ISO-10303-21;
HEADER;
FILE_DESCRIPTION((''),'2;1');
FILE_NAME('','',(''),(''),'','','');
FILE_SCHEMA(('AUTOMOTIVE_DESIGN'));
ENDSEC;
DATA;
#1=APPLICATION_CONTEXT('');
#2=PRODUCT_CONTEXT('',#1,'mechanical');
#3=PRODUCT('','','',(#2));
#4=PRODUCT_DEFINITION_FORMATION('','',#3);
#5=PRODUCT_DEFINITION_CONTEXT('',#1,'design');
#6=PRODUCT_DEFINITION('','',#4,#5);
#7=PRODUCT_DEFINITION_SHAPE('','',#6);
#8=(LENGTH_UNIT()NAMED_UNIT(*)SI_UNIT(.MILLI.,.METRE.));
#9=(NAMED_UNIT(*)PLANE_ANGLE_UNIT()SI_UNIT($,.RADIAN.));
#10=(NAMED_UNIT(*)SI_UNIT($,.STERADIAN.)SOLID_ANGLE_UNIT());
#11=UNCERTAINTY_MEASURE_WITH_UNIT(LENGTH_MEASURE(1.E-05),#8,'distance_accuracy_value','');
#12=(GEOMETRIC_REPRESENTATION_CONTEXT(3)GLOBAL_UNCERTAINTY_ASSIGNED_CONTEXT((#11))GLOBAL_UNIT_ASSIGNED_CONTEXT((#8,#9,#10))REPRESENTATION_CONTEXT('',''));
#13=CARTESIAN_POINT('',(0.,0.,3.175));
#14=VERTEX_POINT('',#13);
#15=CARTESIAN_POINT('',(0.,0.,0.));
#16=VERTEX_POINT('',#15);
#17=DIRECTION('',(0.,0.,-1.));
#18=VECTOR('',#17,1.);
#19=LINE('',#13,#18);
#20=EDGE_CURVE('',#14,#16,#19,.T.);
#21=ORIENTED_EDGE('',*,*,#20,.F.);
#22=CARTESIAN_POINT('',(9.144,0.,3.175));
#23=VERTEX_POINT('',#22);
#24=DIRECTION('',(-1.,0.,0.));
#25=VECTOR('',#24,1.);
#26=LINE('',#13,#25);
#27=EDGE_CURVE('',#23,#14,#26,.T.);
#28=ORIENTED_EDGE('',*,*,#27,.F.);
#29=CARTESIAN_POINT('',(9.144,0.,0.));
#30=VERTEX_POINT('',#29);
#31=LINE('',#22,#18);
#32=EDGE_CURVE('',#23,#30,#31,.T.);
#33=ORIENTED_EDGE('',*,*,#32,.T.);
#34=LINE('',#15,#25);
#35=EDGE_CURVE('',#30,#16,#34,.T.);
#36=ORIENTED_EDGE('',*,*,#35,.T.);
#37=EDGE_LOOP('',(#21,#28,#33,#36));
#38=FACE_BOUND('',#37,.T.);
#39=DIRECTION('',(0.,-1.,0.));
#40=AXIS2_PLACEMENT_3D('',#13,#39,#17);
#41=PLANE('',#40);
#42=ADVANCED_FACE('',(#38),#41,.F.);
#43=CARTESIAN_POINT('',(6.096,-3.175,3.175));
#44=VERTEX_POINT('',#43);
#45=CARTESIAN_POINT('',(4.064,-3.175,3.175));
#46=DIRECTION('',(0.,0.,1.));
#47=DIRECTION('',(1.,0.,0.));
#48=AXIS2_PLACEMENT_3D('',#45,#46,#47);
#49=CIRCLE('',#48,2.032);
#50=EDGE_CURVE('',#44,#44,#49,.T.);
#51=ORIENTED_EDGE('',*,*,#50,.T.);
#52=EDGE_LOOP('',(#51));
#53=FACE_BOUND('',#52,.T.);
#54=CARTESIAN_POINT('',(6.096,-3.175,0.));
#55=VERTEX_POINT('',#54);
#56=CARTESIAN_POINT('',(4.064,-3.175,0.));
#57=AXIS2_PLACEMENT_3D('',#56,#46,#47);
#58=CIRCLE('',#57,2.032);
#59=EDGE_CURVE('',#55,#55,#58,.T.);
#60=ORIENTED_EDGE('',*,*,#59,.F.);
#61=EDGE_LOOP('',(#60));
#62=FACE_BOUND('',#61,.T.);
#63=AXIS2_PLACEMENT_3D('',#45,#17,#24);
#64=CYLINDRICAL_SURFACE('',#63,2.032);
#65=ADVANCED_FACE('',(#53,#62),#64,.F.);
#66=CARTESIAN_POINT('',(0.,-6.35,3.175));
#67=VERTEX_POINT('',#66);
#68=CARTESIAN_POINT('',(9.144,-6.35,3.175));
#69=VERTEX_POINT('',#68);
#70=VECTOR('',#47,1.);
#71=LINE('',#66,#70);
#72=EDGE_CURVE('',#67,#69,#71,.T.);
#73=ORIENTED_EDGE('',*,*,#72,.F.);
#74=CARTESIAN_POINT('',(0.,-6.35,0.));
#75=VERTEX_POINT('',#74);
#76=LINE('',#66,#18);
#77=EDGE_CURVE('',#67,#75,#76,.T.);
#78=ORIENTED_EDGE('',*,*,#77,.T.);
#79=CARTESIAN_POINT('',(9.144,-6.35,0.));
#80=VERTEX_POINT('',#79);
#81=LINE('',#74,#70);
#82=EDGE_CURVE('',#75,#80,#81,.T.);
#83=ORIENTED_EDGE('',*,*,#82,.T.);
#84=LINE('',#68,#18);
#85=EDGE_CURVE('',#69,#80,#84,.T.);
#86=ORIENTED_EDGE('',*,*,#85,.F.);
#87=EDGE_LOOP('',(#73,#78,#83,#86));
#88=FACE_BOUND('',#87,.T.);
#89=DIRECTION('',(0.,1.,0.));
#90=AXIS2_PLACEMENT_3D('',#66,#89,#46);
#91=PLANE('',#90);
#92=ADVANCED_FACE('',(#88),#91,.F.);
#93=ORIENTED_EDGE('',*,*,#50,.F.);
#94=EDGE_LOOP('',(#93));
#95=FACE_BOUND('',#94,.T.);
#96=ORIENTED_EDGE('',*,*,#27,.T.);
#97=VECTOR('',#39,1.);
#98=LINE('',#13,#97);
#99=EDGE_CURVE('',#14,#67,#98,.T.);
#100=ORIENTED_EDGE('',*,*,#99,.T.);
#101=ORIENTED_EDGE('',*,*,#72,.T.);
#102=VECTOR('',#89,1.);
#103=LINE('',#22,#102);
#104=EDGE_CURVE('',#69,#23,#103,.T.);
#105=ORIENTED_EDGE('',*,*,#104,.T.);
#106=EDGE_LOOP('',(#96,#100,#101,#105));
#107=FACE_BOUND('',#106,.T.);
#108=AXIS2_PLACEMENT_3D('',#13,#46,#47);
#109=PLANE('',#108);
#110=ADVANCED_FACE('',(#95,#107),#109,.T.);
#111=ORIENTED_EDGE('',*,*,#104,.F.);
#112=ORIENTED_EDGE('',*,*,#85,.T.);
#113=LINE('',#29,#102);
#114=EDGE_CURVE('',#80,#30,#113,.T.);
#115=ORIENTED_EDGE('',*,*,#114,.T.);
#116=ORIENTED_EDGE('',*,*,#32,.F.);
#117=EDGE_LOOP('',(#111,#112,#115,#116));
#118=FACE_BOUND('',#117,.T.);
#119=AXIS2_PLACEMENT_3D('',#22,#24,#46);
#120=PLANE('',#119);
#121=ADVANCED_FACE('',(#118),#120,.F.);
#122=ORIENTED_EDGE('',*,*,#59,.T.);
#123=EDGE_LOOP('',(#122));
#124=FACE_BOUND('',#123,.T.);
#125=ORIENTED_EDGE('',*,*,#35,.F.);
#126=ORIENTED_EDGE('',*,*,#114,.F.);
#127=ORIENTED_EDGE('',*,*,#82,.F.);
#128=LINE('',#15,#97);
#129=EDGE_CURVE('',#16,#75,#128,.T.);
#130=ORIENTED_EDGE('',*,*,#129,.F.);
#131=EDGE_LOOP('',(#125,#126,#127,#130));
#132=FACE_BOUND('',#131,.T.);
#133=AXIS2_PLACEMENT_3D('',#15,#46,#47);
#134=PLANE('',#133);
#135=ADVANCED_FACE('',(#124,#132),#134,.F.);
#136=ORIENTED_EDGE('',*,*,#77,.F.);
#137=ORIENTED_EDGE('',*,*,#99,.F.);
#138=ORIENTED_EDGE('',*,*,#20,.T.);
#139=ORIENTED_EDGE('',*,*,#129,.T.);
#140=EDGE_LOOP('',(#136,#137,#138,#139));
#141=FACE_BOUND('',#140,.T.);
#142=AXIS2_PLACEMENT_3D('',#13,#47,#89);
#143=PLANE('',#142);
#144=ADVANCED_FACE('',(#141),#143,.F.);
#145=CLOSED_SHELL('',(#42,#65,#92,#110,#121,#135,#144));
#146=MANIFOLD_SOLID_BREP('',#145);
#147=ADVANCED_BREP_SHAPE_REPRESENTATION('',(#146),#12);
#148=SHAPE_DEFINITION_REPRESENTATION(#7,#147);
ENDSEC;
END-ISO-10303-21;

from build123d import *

# Parameters (mm, degrees)
SKETCH4_W           = 9.144
SKETCH4_H           = 6.35
SKETCH4_R           = 2.032
BOSS_EXTRUDE2_DEPTH = 3.175


with BuildPart() as part:
    # Sketch4 → Boss-Extrude2 (new body)
    with BuildSketch(Plane.XY):
        with Locations((4.572, -3.175)):
            Rectangle(SKETCH4_W, SKETCH4_H)
        with Locations((4.064, -3.175)):
            Circle(SKETCH4_R, mode=Mode.SUBTRACT)
    extrude(amount=BOSS_EXTRUDE2_DEPTH)


solid = part.part
